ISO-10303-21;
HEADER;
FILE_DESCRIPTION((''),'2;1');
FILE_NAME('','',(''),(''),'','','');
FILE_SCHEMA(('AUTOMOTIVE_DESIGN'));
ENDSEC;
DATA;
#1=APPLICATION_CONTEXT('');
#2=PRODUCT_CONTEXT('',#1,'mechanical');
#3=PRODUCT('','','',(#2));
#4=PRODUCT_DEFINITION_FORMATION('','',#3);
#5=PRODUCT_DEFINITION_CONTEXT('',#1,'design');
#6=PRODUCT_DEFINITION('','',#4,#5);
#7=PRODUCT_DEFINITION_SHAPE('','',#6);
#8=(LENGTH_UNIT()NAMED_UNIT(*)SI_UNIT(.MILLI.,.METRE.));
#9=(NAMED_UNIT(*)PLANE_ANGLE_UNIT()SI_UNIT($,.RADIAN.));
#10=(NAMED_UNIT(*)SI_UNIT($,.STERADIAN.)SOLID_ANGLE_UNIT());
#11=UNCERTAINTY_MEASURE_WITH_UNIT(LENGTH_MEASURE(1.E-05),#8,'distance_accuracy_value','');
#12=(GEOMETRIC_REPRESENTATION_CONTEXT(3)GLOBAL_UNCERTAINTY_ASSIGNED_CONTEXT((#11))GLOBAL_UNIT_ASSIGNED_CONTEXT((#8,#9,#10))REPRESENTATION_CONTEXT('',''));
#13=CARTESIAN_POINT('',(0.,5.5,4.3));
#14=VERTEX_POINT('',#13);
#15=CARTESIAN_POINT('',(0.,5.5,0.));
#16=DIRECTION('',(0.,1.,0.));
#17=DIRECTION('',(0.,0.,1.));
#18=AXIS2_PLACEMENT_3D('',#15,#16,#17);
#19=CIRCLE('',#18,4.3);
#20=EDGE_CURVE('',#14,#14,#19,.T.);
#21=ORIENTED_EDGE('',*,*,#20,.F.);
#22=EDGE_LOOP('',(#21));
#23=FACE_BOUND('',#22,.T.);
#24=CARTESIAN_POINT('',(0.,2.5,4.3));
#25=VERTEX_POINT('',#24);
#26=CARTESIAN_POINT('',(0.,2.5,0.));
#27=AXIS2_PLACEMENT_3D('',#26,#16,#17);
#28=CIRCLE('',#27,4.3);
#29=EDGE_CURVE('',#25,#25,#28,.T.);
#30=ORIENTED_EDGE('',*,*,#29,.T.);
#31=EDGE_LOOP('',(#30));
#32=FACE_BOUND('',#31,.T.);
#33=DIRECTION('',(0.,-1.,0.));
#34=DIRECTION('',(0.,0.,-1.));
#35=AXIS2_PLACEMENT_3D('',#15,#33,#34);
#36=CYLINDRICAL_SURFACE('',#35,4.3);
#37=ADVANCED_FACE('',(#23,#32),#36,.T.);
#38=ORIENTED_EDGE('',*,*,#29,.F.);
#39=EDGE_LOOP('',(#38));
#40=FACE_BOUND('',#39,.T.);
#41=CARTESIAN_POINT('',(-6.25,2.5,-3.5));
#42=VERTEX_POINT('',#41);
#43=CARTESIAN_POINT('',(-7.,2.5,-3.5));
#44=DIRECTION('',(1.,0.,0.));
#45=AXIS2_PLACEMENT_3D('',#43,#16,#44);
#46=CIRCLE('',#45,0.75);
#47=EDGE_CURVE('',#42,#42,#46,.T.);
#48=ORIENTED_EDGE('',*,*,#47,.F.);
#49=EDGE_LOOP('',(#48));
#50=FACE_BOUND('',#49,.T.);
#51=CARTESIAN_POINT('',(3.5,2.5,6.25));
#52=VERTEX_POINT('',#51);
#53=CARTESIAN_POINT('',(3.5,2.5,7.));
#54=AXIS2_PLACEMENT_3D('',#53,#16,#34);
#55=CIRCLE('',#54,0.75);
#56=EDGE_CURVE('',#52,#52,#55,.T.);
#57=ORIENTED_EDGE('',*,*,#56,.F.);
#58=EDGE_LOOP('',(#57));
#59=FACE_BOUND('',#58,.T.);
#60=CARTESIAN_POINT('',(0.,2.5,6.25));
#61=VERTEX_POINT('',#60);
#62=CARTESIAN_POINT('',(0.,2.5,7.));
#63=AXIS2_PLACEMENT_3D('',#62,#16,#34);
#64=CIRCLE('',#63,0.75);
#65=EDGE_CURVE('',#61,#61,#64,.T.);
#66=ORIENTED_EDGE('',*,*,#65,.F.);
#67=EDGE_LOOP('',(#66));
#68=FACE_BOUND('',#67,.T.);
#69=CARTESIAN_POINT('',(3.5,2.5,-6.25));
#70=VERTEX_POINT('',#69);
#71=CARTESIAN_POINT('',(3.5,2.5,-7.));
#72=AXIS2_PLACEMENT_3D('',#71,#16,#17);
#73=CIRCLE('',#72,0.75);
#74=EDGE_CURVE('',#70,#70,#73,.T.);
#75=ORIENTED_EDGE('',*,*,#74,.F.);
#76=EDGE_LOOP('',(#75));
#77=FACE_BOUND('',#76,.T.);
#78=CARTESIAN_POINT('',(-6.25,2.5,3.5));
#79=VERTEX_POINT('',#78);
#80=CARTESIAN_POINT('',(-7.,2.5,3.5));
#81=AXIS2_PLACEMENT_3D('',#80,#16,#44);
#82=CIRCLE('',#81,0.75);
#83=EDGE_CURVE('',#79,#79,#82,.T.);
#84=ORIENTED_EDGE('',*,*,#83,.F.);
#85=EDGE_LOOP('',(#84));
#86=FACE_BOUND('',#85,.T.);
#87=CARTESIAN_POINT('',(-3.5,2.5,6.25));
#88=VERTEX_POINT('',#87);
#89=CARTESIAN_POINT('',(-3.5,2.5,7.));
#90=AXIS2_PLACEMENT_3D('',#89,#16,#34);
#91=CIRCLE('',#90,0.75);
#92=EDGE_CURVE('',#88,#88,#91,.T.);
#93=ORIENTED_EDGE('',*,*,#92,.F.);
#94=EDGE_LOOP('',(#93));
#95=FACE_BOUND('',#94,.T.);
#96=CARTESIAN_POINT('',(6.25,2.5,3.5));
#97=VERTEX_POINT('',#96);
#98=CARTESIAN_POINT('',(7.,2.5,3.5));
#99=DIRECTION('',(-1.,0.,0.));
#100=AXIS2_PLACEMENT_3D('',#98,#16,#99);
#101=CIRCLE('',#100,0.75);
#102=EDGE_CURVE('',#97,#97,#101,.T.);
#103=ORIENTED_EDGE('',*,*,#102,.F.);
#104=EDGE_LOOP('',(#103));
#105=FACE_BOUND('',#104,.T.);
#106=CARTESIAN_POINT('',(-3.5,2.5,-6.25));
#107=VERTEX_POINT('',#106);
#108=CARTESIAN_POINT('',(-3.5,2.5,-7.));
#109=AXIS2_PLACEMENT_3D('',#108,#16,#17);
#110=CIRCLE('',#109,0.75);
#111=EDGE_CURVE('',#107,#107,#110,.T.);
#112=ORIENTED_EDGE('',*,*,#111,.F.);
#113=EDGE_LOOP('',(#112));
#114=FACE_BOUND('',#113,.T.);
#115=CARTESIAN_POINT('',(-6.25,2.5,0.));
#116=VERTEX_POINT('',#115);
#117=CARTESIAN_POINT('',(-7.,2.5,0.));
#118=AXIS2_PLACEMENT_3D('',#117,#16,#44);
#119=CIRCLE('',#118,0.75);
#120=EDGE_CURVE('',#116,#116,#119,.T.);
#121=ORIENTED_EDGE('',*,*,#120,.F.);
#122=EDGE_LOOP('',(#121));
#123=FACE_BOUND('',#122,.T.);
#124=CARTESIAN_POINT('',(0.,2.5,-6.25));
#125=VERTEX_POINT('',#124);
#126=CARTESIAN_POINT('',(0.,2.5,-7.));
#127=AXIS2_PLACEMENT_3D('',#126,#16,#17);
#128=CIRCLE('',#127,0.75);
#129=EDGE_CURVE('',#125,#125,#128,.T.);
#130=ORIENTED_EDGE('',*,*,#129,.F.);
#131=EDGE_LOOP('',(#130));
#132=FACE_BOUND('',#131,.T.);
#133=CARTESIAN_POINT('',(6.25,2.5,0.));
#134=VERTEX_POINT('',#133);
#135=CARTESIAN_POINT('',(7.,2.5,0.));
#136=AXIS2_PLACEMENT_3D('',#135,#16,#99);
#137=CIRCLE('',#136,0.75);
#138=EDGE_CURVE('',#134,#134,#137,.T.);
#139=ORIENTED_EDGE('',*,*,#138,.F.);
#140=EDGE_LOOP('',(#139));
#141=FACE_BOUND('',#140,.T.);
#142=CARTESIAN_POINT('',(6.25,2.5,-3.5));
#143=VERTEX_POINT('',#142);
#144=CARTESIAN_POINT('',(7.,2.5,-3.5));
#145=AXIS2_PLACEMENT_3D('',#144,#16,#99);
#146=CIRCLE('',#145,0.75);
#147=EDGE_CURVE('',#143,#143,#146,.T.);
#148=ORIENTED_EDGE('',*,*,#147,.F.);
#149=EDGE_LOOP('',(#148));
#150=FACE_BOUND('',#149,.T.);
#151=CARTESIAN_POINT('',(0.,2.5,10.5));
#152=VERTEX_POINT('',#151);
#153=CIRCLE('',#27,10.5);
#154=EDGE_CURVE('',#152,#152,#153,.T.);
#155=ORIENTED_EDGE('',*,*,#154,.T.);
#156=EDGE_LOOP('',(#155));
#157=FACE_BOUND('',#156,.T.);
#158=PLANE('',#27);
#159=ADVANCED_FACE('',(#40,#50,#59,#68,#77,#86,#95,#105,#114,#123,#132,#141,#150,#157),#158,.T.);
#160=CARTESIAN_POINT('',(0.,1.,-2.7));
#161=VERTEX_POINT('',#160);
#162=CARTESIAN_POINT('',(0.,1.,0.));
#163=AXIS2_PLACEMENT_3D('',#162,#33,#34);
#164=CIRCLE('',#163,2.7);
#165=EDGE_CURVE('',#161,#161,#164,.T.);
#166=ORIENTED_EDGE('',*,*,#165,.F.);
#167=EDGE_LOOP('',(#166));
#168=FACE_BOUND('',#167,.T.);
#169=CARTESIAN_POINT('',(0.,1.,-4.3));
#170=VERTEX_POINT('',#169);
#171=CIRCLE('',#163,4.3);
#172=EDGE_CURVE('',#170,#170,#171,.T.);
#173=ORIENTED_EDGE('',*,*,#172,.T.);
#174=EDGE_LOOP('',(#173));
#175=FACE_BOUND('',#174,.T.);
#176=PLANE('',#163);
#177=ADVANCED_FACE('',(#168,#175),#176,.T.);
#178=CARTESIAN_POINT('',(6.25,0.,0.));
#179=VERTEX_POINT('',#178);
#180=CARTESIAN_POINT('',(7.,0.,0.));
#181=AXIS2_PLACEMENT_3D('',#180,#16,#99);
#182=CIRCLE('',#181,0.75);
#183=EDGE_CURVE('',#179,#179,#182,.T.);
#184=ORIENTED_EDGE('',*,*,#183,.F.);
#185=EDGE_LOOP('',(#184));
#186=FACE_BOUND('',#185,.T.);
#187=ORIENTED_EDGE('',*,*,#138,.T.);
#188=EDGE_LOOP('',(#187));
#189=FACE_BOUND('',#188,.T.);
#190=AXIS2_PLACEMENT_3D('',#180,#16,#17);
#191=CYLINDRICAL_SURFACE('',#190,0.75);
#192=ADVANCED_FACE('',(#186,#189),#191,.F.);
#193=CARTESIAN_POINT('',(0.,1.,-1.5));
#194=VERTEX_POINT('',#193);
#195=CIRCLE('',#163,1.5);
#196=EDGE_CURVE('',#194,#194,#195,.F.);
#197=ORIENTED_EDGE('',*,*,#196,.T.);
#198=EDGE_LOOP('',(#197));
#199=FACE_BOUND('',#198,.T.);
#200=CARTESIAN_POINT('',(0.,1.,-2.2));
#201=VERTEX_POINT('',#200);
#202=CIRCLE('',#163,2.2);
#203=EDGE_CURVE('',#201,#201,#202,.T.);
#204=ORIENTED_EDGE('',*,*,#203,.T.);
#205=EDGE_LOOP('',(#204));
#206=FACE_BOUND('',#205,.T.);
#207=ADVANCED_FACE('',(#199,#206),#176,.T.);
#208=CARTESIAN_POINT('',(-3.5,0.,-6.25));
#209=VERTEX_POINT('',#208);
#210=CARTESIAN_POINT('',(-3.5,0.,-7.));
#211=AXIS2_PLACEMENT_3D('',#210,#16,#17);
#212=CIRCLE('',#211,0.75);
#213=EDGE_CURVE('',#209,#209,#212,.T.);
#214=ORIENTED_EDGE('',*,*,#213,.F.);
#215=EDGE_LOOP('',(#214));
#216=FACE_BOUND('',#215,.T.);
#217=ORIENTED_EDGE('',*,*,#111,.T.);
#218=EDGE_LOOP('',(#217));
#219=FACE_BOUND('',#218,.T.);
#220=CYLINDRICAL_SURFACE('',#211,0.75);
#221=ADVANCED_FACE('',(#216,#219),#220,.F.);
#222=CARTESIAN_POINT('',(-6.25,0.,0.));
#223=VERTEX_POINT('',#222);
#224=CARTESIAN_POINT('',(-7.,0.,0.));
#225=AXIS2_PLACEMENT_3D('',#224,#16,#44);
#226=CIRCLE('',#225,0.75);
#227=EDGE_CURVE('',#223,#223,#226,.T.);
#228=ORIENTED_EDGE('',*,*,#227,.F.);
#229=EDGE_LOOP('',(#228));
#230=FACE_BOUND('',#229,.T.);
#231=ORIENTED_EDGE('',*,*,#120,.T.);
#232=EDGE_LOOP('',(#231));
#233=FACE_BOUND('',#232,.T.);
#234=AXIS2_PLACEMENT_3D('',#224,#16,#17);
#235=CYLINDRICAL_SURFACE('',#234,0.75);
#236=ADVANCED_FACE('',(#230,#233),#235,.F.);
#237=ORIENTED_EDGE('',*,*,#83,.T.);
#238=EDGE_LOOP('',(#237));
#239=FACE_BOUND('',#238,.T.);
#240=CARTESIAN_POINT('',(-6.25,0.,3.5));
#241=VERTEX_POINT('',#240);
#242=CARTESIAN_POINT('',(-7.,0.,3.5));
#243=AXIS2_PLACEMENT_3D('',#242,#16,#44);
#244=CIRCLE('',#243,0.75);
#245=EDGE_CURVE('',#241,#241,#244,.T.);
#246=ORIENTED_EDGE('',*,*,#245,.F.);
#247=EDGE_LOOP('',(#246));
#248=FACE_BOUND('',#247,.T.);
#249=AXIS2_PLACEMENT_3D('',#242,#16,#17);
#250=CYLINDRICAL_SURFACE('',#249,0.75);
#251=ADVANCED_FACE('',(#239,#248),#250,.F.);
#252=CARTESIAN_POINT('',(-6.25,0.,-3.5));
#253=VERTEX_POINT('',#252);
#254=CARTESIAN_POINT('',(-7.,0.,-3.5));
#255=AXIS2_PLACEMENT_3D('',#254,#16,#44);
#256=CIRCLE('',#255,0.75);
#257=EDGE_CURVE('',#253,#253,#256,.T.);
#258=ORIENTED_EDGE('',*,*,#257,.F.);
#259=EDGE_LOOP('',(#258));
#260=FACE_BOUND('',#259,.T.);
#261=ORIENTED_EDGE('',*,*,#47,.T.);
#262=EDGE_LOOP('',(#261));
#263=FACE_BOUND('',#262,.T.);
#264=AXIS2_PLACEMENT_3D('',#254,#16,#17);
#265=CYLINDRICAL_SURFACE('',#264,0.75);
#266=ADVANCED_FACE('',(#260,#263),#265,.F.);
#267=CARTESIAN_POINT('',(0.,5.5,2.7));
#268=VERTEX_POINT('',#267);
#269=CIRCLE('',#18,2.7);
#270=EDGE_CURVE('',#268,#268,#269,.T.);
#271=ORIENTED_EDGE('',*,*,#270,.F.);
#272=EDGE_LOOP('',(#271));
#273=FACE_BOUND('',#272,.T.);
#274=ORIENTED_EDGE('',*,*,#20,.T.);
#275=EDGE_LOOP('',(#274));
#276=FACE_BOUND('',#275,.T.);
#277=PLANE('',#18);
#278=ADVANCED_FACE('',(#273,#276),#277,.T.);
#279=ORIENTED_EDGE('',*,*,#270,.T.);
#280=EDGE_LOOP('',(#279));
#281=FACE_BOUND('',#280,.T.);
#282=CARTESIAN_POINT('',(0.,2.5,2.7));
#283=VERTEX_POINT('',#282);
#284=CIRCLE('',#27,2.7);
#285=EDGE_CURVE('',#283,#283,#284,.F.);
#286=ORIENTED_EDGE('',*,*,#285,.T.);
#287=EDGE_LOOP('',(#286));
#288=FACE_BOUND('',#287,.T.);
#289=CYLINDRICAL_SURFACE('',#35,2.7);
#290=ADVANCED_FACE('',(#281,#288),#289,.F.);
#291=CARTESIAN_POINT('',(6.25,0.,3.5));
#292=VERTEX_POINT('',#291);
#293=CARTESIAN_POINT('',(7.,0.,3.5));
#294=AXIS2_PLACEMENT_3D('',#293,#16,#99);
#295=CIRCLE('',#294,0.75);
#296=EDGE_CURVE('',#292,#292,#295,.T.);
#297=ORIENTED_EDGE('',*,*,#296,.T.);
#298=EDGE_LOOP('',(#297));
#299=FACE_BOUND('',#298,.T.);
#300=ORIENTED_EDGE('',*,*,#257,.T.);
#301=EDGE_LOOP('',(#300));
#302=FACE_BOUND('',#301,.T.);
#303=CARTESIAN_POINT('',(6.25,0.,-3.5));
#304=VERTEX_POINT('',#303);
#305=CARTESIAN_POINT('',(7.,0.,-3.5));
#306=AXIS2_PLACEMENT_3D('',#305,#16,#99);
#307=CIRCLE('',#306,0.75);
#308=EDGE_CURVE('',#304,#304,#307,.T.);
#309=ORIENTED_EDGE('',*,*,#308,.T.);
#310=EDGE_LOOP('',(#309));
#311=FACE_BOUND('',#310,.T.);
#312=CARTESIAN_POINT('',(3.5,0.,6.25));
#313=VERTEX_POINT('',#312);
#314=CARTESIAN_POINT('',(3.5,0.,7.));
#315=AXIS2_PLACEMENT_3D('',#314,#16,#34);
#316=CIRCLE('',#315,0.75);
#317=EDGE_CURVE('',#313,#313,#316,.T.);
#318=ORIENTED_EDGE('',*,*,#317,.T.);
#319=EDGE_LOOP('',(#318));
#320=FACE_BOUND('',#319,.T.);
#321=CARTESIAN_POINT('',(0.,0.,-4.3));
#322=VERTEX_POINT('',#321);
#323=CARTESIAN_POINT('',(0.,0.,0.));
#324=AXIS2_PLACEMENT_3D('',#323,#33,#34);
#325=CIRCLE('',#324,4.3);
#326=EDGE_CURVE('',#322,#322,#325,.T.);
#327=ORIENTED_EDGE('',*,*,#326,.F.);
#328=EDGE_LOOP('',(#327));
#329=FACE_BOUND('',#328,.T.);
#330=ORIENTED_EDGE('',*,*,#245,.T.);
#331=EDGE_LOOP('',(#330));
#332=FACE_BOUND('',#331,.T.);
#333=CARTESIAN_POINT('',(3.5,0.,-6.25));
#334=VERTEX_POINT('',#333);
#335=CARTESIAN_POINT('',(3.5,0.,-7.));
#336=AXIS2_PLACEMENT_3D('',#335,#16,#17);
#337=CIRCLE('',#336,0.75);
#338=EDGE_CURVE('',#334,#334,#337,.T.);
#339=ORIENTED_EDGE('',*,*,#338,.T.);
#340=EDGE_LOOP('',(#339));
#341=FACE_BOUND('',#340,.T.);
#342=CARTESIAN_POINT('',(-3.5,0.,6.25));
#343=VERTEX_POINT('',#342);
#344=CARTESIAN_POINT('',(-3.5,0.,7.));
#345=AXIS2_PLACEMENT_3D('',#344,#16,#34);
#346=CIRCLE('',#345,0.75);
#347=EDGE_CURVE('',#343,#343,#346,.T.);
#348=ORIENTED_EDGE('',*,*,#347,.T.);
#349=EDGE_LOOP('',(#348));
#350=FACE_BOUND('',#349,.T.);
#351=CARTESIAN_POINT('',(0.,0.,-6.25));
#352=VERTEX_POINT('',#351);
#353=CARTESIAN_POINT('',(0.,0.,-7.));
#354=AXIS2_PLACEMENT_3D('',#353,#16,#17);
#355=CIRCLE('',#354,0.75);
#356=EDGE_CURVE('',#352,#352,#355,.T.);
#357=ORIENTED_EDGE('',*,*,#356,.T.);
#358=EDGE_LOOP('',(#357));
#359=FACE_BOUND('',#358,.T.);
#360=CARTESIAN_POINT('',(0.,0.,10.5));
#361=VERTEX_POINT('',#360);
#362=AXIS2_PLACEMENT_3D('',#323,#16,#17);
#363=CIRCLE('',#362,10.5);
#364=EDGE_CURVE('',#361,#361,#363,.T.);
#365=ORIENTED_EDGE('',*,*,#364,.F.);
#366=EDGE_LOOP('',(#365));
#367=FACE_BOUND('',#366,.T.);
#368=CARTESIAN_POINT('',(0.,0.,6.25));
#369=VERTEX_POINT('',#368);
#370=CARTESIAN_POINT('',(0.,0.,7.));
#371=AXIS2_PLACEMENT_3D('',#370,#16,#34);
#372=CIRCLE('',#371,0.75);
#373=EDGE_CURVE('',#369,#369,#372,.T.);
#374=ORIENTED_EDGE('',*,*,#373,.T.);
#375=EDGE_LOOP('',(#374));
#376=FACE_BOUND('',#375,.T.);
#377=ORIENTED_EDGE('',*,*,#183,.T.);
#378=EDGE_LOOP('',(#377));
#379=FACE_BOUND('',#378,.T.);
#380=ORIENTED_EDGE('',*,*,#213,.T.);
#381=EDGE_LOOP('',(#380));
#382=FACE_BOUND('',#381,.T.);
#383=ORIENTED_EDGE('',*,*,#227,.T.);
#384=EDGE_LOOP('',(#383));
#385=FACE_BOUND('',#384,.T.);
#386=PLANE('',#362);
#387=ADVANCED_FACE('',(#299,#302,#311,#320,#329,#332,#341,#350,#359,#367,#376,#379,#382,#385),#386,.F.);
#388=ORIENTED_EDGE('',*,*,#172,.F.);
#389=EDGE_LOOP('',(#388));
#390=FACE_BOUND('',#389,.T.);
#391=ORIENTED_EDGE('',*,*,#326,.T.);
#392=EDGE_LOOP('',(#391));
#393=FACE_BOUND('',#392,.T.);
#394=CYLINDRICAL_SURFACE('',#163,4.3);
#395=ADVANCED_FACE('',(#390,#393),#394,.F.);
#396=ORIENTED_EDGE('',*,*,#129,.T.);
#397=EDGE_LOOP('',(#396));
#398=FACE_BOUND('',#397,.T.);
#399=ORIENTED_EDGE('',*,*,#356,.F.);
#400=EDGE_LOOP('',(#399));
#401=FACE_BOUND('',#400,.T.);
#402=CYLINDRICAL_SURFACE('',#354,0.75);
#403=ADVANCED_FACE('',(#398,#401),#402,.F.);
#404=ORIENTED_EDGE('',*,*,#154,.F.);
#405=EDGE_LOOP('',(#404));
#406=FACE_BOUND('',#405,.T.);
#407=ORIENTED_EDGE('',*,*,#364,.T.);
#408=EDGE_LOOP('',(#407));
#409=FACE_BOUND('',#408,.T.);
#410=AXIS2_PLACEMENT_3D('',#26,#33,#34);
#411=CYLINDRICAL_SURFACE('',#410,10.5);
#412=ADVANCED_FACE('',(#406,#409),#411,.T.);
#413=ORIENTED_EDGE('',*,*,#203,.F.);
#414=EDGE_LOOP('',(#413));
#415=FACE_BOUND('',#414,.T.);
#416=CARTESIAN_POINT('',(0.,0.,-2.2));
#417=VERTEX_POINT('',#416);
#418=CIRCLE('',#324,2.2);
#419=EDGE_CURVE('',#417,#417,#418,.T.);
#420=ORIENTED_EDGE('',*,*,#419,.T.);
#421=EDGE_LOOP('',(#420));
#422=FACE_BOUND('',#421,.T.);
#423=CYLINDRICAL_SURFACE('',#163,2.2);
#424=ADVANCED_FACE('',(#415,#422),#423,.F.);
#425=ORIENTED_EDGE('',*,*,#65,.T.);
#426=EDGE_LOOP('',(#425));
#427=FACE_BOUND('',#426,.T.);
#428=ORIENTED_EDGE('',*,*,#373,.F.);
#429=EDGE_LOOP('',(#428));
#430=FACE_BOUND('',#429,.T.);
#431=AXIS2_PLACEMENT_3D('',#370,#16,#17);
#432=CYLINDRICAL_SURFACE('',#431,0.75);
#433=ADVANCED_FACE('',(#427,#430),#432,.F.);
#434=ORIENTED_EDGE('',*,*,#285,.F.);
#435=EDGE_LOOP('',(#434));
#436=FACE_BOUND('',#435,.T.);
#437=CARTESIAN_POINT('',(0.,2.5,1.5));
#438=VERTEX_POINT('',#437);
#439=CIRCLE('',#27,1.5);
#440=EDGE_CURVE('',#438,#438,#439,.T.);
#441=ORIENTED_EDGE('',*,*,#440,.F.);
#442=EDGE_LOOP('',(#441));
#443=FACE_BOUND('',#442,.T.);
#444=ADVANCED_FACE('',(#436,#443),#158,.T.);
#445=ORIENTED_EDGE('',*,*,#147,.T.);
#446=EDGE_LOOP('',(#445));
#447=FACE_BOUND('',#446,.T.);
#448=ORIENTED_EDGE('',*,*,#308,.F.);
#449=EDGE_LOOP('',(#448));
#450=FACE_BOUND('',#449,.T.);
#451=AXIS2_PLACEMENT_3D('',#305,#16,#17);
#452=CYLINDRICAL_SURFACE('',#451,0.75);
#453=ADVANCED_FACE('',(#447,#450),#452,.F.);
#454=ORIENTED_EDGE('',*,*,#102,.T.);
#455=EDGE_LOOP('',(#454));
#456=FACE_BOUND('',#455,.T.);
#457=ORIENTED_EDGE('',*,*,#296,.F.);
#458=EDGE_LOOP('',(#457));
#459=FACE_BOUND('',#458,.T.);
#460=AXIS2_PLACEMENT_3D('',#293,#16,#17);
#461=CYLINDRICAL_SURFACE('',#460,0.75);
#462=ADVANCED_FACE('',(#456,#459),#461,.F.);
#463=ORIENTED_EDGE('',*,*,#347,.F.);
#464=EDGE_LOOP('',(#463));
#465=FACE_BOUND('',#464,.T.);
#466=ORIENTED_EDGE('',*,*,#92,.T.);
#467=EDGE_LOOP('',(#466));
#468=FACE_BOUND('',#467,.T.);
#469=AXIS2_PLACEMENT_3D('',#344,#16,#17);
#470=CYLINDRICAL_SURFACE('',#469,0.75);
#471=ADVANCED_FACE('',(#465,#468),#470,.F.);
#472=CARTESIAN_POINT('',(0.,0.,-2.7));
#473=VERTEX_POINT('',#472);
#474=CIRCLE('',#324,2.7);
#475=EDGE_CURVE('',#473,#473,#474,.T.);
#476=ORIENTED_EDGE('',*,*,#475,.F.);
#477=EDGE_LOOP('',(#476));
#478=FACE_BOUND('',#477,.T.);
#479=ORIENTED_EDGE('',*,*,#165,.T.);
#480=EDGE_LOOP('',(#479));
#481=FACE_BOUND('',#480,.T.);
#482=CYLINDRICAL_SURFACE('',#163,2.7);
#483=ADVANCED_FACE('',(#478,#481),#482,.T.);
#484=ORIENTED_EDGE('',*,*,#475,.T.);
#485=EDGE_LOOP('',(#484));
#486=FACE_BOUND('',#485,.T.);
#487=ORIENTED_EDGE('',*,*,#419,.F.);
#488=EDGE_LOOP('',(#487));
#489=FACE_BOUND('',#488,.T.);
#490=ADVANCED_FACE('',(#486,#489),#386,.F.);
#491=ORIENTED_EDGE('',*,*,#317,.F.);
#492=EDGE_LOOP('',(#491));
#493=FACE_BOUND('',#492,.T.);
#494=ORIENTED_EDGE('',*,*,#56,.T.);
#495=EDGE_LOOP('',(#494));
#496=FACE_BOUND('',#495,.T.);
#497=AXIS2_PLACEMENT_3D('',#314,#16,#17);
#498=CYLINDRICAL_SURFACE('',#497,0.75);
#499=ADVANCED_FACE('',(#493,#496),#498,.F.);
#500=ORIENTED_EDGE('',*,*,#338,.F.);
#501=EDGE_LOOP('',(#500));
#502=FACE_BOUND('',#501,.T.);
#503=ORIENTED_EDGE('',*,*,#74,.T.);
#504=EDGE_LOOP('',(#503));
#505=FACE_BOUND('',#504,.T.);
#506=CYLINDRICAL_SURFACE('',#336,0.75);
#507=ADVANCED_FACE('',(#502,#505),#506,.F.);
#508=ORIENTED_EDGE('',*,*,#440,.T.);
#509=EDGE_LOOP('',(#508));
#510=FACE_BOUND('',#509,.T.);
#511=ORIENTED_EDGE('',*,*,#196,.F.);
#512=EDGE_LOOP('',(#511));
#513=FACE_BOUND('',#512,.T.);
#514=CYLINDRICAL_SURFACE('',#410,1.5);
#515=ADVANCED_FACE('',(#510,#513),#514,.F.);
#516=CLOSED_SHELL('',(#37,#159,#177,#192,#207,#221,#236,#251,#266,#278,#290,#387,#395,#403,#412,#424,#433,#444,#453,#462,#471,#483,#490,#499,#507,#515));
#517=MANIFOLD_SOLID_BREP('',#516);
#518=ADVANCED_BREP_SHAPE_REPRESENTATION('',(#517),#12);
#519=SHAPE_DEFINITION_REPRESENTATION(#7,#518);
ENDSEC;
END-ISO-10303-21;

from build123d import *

# Parameters (mm, degrees)
SKETCH1_R           = 10.5
SKETCH1_R_2         = 1.5
BOSS_EXTRUDE1_DEPTH = 2.5
SKETCH2_R           = 4.3
SKETCH2_R_2         = 2.7
BOSS_EXTRUDE2_DEPTH = 3
SKETCH3_R           = 0.75
CUT_EXTRUDE1_DEPTH  = 16.149257408
CIRPATTERN1_COUNT   = 4
SKETCH4_R           = 4.3
SKETCH4_R_2         = 2.7
SKETCH4_R_3         = 2.2
SKETCH4_R_4         = 1.5
CUT_EXTRUDE2_DEPTH  = 1


with BuildPart() as part:
    # Sketch1 → Boss-Extrude1 (new body)
    with BuildSketch(Plane(origin=(0, 0, 0), x_dir=(1, 0, 0), z_dir=(0, 1, 0))):
        with Locations(Location((0, 0, 0), (0, 0, 270))):
            Circle(SKETCH1_R)
        with Locations(Location((0, 0, 0), (0, 0, 270))):
            Circle(SKETCH1_R_2, mode=Mode.SUBTRACT)
    extrude(amount=BOSS_EXTRUDE1_DEPTH)

    # Sketch2 → Boss-Extrude2 (add)
    with BuildSketch(Plane(origin=(0, 2.5, 0), x_dir=(1, 0, 0), z_dir=(0, 1, 0))):
        with Locations(Location((0, 0, 0), (0, 0, 270))):
            Circle(SKETCH2_R)
        with Locations(Location((0, 0, 0), (0, 0, 270))):
            Circle(SKETCH2_R_2, mode=Mode.SUBTRACT)
    extrude(amount=BOSS_EXTRUDE2_DEPTH)

    # Sketch3 → Cut-Extrude1 (cut, through all)
    with BuildSketch(Plane(origin=(0, 2.5, 0), x_dir=(1, 0, 0), z_dir=(0, 1, 0))):
        with Locations(Location((0, 7, 0), (0, 0, 270))):
            Circle(SKETCH3_R)
        with Locations(Location((3.5, 7, 0), (0, 0, 270))):
            Circle(SKETCH3_R)
        with Locations(Location((-3.5, 7, 0), (0, 0, 270))):
            Circle(SKETCH3_R)
    cut_extrude1 = extrude(amount=-CUT_EXTRUDE1_DEPTH, mode=Mode.SUBTRACT)

    # CirPattern1: Cut-Extrude1 ×4 about axis
    cirpattern1_axis = Axis((0, 0, 0), (0, 1, 0))
    for i in range(1, CIRPATTERN1_COUNT):
        add(cut_extrude1.rotate(cirpattern1_axis, i * 360 / CIRPATTERN1_COUNT), mode=Mode.SUBTRACT)

    # Sketch4 → Cut-Extrude2 (cut)
    # profile 1 of 2: a face of its own
    with BuildSketch(Plane.XZ):
        with Locations(Location((0, 0, 0), (0, 0, 90))):
            Circle(SKETCH4_R)
        with Locations(Location((0, 0, 0), (0, 0, 90))):
            Circle(SKETCH4_R_2, mode=Mode.SUBTRACT)
    # profile 2 of 2: a face of its own
    with BuildSketch(Plane.XZ):
        with Locations(Location((0, 0, 0), (0, 0, 270))):
            Circle(SKETCH4_R_3)
        with Locations(Location((0, 0, 0), (0, 0, 270))):
            Circle(SKETCH4_R_4, mode=Mode.SUBTRACT)
    extrude(amount=-CUT_EXTRUDE2_DEPTH, mode=Mode.SUBTRACT)


solid = part.part
